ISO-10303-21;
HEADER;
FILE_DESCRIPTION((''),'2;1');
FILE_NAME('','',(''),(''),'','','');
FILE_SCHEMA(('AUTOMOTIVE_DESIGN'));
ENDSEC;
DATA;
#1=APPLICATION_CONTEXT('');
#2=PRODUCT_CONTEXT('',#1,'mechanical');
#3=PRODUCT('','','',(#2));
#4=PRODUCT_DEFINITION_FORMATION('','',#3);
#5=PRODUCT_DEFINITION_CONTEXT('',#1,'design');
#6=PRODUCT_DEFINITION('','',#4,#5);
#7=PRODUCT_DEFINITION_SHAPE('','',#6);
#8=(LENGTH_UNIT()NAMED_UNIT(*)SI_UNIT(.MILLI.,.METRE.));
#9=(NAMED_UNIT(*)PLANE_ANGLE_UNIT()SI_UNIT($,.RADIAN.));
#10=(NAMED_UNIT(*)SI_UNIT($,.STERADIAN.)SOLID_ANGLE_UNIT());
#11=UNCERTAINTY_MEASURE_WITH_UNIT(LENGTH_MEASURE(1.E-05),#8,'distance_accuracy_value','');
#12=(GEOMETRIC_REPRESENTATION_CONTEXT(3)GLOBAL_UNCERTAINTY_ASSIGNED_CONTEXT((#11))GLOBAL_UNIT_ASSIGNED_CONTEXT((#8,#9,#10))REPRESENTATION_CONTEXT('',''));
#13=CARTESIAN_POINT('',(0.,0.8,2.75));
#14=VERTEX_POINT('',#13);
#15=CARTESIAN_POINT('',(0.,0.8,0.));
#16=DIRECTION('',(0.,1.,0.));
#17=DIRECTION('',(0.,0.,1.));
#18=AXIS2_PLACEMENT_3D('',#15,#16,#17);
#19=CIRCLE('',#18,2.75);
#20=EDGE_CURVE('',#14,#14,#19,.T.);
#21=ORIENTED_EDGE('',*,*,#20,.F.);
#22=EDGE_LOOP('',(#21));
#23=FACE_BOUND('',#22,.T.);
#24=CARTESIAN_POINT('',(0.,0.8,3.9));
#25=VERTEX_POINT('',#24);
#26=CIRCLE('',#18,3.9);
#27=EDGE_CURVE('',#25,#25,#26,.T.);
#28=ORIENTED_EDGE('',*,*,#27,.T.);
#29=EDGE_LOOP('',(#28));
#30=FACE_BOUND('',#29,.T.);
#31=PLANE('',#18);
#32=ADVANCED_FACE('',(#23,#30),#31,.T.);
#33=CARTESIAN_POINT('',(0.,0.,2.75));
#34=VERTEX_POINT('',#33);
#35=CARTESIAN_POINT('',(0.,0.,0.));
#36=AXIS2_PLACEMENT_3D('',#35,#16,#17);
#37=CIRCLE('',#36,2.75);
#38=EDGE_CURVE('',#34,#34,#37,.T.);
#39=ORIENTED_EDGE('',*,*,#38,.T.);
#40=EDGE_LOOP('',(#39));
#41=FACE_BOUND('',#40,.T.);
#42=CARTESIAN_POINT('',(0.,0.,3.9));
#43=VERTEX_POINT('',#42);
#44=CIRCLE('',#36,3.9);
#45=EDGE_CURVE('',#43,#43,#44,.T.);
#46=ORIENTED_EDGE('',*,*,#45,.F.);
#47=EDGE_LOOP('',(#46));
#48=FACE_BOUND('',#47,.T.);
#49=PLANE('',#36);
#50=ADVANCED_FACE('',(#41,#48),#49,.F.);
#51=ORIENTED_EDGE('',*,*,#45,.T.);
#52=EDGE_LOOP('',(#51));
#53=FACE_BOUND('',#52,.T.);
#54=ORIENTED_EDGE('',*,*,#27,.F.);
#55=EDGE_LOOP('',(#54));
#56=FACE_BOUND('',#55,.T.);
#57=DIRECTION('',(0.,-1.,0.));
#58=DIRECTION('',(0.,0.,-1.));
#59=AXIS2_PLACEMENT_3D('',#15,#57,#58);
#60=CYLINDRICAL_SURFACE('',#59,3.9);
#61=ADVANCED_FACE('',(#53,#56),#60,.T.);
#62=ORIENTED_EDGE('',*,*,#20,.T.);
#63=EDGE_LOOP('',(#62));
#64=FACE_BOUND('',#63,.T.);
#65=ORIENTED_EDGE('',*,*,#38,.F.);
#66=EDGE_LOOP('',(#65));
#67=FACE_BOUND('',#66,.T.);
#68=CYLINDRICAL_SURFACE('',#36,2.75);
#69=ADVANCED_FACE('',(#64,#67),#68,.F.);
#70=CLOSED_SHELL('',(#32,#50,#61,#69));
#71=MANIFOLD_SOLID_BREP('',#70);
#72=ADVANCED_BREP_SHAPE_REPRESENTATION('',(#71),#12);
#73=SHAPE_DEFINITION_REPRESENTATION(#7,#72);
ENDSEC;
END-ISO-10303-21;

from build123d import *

# Parameters (mm, degrees)
SKETCH1_R           = 3.9
BOSS_EXTRUDE1_DEPTH = 0.8
SKETCH2_R           = 2.75
CUT_EXTRUDE1_DEPTH  = 1.8


with BuildPart() as part:
    # Sketch1 → Boss-Extrude1 (new body)
    with BuildSketch(Plane(origin=(0, 0, 0), x_dir=(1, 0, 0), z_dir=(0, 1, 0))):
        Circle(SKETCH1_R)
    extrude(amount=BOSS_EXTRUDE1_DEPTH)

    # Sketch2 → Cut-Extrude1 (cut, through all)
    with BuildSketch(Plane(origin=(0, 0.8, 0), x_dir=(1, 0, 0), z_dir=(0, 1, 0))):
        Circle(SKETCH2_R)
    extrude(amount=-CUT_EXTRUDE1_DEPTH, mode=Mode.SUBTRACT)


solid = part.part
